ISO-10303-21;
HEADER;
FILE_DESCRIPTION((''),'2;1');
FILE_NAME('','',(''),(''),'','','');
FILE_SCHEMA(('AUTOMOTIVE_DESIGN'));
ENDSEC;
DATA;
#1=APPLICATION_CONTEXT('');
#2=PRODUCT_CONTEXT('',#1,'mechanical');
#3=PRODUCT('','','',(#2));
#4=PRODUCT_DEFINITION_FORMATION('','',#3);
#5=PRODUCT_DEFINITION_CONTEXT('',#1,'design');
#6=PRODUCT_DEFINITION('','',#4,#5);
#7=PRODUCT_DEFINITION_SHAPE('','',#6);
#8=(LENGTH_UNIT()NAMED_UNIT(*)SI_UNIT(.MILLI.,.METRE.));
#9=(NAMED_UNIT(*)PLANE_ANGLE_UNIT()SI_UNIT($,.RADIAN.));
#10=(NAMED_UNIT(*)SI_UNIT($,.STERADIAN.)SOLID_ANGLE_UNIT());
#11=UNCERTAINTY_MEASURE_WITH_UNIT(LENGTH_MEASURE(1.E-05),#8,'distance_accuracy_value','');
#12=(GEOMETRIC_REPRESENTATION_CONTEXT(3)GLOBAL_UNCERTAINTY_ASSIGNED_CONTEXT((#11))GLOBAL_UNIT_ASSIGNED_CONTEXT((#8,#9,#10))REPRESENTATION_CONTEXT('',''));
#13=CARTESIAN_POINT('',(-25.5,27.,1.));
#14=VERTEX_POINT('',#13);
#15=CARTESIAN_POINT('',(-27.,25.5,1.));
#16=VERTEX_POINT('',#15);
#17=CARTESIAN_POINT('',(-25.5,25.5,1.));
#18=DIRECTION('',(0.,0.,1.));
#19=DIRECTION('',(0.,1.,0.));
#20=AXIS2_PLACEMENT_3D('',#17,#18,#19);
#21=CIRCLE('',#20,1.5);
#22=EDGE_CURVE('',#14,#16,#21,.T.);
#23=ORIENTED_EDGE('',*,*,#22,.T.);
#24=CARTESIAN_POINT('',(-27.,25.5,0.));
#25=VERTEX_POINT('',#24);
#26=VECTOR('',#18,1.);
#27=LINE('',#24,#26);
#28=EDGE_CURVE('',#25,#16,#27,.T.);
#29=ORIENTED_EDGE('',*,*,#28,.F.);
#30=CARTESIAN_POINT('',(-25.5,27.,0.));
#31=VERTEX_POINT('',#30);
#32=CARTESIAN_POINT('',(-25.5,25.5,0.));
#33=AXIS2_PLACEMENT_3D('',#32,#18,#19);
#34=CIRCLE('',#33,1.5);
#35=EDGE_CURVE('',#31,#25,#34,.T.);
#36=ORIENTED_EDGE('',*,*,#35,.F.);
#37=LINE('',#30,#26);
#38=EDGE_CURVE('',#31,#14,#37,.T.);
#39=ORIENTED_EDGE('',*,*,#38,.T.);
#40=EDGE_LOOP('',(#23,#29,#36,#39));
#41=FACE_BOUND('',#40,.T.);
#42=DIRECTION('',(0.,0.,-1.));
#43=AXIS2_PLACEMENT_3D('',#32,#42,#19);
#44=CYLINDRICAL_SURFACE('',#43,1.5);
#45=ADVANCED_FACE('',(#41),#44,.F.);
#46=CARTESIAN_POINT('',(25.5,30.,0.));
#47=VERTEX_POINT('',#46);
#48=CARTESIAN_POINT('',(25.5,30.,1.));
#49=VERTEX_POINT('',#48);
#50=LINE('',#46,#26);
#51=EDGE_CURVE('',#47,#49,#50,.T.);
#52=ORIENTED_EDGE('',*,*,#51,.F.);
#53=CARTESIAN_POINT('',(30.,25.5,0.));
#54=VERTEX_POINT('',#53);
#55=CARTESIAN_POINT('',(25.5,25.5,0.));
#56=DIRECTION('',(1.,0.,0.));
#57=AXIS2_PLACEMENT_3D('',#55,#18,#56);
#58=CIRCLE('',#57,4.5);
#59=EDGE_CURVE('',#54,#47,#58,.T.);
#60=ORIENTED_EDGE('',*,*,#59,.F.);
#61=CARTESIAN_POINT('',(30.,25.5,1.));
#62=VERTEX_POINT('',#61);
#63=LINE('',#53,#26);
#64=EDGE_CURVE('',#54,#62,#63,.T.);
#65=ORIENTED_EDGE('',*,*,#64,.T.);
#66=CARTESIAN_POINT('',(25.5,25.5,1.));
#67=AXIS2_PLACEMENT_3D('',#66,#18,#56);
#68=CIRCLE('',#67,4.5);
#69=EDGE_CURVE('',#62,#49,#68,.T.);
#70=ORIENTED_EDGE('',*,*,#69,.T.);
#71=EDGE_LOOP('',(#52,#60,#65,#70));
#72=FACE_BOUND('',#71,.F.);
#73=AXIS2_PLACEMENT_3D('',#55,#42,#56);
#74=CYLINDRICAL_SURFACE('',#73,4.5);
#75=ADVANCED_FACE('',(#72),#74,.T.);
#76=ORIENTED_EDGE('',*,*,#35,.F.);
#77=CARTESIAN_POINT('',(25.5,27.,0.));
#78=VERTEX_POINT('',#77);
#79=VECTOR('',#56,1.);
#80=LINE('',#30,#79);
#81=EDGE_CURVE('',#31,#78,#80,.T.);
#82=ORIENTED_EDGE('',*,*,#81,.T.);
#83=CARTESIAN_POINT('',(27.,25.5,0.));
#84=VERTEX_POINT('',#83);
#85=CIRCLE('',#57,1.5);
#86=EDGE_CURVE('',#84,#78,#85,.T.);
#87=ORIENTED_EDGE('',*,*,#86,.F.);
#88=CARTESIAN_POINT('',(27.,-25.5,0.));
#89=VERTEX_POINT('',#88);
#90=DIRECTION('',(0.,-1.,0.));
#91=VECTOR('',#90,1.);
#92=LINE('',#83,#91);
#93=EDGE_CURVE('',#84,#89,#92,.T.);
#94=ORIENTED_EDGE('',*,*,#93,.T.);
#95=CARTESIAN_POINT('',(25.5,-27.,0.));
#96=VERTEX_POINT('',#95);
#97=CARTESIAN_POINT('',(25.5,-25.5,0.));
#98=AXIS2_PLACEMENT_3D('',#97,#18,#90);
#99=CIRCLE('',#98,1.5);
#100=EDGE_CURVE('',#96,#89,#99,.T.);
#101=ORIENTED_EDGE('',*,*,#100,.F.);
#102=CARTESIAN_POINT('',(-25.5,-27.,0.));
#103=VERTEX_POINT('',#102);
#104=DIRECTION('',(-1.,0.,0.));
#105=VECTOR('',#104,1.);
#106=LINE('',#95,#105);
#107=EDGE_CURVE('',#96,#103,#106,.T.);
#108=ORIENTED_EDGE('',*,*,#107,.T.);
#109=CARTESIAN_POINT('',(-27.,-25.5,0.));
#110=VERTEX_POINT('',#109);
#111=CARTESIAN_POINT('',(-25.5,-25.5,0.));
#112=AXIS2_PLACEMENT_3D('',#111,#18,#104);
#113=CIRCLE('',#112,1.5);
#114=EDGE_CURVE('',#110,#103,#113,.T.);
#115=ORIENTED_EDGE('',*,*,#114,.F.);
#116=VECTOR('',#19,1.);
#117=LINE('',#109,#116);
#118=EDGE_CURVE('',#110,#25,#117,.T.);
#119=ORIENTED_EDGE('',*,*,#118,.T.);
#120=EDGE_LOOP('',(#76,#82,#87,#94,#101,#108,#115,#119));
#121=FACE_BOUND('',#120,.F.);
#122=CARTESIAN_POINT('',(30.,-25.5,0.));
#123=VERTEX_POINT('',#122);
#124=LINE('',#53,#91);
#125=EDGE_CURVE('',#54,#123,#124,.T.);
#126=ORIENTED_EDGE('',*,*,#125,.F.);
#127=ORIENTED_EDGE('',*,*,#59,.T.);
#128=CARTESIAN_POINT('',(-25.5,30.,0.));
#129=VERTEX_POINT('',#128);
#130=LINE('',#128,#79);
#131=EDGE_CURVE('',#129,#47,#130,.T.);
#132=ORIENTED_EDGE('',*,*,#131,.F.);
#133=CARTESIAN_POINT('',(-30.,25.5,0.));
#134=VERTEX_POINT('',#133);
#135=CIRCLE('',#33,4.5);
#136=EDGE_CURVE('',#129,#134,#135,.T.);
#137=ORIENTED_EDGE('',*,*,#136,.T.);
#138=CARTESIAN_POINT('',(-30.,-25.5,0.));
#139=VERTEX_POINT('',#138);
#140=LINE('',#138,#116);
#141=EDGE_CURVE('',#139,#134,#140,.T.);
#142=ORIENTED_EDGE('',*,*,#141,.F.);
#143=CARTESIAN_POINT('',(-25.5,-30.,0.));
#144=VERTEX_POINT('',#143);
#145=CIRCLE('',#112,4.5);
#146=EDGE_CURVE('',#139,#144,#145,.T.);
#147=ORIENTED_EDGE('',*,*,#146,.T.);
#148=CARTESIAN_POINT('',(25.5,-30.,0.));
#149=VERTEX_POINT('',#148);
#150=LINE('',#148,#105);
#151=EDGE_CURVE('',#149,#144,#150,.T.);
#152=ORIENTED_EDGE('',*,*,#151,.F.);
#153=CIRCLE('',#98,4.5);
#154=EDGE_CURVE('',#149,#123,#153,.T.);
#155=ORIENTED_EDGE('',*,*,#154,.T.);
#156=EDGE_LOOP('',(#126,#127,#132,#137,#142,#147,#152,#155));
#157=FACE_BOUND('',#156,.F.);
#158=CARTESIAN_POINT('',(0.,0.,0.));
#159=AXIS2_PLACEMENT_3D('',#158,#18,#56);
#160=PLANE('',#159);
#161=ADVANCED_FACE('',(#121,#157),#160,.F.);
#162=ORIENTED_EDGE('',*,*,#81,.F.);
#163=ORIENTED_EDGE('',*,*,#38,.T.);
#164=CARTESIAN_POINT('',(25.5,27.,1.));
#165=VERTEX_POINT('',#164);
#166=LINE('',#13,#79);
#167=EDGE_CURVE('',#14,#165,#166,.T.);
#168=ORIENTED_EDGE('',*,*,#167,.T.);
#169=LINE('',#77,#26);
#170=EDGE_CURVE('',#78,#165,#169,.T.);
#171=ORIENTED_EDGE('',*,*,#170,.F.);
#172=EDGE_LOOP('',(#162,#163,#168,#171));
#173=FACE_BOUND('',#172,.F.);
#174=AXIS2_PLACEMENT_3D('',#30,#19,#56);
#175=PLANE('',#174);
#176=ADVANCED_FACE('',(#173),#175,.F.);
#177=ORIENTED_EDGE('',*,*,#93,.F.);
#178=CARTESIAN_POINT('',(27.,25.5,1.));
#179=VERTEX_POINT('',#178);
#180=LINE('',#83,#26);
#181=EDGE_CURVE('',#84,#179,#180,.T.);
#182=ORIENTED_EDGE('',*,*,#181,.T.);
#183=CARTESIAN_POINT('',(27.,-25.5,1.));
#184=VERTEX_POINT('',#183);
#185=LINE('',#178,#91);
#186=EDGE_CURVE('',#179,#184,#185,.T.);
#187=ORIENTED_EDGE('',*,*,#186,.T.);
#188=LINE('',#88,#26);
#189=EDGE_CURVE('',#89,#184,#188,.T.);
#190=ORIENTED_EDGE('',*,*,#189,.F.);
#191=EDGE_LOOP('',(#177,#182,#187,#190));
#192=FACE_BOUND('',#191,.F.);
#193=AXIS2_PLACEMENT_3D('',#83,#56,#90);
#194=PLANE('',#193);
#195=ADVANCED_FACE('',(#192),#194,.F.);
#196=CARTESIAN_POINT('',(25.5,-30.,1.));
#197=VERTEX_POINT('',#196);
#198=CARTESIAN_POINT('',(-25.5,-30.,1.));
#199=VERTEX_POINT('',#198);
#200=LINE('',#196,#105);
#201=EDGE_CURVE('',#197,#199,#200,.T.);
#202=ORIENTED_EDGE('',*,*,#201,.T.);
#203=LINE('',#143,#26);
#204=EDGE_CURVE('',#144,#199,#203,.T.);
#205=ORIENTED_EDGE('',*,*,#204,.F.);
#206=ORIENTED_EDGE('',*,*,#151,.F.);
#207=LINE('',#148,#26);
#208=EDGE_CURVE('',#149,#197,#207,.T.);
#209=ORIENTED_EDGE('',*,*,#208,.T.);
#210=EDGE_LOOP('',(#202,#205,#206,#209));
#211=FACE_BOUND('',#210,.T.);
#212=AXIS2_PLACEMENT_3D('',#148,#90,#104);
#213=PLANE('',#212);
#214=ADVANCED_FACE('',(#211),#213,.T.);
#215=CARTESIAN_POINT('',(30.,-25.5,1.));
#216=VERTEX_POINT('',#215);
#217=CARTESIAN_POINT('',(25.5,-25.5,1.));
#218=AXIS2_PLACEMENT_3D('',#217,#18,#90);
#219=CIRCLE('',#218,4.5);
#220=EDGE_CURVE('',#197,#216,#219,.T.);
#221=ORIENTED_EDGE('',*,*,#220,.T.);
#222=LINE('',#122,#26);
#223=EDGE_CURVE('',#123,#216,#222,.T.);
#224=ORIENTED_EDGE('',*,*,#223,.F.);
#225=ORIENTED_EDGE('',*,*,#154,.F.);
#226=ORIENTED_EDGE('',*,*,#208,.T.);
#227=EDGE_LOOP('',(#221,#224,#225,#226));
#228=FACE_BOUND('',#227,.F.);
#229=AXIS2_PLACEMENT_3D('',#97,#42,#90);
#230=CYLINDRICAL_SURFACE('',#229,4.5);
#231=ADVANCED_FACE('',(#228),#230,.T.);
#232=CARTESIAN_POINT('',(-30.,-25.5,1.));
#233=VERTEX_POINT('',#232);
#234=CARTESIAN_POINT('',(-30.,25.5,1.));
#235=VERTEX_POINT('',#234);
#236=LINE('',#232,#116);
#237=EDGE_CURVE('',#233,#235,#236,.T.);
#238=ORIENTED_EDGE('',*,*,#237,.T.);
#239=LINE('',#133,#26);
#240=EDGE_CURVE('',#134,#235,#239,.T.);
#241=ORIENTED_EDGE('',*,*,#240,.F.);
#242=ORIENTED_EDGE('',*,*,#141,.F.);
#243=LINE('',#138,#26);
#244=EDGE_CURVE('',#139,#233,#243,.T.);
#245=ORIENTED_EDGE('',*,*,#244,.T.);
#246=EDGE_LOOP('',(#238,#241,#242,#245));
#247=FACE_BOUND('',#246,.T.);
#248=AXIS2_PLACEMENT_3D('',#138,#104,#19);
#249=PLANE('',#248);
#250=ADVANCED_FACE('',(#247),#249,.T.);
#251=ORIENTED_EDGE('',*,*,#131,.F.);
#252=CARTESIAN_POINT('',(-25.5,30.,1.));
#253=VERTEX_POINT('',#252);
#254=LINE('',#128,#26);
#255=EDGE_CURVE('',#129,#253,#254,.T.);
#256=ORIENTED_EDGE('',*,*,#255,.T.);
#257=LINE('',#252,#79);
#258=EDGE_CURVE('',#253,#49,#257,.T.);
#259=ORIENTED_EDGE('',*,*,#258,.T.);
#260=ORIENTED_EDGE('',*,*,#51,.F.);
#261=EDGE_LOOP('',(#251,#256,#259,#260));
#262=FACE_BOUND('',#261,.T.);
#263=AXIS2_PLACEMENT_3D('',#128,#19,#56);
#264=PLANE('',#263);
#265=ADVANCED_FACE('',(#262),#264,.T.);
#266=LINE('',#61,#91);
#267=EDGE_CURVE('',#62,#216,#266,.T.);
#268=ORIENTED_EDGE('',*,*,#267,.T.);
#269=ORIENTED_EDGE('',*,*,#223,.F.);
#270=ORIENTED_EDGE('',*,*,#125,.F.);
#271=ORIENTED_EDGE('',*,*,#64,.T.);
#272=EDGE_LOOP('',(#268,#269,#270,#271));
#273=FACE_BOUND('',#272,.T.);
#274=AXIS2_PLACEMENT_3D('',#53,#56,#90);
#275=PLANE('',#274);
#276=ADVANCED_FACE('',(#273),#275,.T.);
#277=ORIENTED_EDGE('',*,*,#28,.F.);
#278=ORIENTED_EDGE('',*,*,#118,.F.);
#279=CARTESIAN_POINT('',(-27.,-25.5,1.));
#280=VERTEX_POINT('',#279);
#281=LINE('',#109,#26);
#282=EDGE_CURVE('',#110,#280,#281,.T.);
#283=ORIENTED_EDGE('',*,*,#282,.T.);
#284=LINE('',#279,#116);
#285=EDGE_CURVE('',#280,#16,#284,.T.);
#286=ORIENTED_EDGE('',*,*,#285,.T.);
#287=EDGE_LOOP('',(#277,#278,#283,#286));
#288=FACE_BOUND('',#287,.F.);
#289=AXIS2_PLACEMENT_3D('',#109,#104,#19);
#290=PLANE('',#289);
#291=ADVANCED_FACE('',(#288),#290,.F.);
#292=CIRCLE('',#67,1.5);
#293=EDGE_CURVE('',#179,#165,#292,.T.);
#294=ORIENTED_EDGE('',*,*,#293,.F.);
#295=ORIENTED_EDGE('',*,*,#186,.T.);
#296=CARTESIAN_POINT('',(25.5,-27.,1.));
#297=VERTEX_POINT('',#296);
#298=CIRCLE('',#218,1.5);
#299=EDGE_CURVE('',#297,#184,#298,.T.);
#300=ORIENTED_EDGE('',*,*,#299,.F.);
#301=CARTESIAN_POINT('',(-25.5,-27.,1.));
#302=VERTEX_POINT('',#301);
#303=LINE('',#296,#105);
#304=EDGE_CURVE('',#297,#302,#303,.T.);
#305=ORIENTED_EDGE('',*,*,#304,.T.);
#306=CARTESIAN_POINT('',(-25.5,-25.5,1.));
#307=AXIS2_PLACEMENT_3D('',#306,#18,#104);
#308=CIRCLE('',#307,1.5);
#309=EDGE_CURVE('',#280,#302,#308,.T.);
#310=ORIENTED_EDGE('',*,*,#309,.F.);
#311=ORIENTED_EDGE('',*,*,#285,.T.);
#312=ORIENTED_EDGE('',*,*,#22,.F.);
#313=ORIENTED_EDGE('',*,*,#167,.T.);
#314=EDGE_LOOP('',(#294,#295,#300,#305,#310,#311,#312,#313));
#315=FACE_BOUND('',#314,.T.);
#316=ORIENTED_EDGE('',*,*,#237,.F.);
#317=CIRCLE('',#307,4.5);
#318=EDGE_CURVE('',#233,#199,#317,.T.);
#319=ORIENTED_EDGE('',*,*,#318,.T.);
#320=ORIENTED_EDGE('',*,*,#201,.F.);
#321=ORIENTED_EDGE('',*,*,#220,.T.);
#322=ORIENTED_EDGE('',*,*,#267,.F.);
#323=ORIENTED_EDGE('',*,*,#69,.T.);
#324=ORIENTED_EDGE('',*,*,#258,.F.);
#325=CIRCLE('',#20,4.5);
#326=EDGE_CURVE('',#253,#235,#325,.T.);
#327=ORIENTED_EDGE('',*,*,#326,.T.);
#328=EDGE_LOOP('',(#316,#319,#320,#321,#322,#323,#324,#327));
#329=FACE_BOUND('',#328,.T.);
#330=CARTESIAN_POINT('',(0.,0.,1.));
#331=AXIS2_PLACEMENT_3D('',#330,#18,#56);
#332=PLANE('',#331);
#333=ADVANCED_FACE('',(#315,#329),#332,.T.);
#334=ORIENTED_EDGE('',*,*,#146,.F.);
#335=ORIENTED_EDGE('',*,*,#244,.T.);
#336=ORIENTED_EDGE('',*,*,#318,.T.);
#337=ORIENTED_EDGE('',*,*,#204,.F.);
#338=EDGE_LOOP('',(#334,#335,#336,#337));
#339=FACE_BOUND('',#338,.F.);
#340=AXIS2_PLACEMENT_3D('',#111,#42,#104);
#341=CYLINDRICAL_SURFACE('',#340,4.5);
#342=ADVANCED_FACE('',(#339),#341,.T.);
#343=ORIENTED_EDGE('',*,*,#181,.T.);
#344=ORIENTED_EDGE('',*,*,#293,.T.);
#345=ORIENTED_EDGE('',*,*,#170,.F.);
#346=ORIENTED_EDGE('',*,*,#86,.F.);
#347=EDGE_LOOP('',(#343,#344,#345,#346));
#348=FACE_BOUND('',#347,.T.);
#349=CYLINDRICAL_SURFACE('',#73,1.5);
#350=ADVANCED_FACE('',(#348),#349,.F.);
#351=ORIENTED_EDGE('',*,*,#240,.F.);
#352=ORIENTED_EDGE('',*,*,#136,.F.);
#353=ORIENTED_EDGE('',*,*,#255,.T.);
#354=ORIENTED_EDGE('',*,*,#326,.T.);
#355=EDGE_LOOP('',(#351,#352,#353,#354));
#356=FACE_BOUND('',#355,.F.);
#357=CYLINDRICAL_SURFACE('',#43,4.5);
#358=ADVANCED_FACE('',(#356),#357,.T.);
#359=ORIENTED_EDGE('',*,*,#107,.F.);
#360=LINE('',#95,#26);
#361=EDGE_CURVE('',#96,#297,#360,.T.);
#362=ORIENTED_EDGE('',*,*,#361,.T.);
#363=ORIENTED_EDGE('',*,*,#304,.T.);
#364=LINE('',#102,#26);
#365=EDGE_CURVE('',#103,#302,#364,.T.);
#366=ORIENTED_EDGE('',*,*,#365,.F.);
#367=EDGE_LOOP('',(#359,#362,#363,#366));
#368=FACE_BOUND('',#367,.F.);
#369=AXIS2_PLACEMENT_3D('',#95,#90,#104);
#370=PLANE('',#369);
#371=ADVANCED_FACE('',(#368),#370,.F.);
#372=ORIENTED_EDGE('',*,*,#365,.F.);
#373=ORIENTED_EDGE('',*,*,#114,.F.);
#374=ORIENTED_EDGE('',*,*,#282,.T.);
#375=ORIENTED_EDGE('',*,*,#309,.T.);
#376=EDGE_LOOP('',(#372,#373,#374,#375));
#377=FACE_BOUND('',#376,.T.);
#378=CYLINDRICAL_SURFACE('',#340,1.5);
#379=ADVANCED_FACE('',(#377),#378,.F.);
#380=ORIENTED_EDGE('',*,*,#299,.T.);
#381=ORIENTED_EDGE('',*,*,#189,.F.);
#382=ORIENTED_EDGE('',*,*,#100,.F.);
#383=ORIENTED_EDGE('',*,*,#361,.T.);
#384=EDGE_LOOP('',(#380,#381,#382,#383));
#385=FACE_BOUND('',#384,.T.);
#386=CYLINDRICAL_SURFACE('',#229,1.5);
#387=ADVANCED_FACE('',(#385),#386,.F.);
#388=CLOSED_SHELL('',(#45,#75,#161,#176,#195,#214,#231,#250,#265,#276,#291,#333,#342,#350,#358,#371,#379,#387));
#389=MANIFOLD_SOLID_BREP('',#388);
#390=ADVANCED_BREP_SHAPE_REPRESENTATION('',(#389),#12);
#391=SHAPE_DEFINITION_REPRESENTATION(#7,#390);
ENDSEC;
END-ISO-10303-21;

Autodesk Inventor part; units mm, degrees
ref_plane "YZ Plane" through (0, 0, 0) normal (1, 0, 0) x (0, 1, 0)
ref_plane "Начальная плоскость" through (0, 0, 0) normal (0, 0, 1) x (1, 0, 0)
ref_plane "Конечная плоскость" through (0, 0, 1) normal (0, 0, 1) x (1, 0, 0)
sketch "Эскиз" plane through (0, 0, 0) normal (0, 0, 1) x (1, 0, 0)
  line L0 (-30, -25.5) -> (-30, 25.5)
  line L1 (-25.5, 30) -> (25.5, 30)
  line L2 (30, 25.5) -> (30, -25.5)
  line L3 (25.5, -30) -> (-25.5, -30)
  arc A0 (-30, -25.5) -> (-25.5, -30) centre (-25.5, -25.5) ccw
  arc A1 (-25.5, 30) -> (-30, 25.5) centre (-25.5, 25.5) ccw
  arc A2 (30, 25.5) -> (25.5, 30) centre (25.5, 25.5) ccw
  arc A3 (25.5, -30) -> (30, -25.5) centre (25.5, -25.5) ccw
  arc A4 (-25.5, 27) -> (-27, 25.5) centre (-25.5, 25.5) ccw
  line L4 (-25.5, 27) -> (25.5, 27)
  arc A5 (27, 25.5) -> (25.5, 27) centre (25.5, 25.5) ccw
  line L5 (27, 25.5) -> (27, -25.5)
  arc A6 (25.5, -27) -> (27, -25.5) centre (25.5, -25.5) ccw
  line L6 (25.5, -27) -> (-25.5, -27)
  arc A7 (-27, -25.5) -> (-25.5, -27) centre (-25.5, -25.5) ccw
  line L7 (-27, -25.5) -> (-27, 25.5)
  line L8 (-27, 0) -> (27, 0) construction
  line L9 (0, 0) -> (0, 10) construction
  dimension "d7" = 4.5
  dimension "d10" = 60
  dimension "d11" = 60
  dimension "d12" = 3
  dimension "d19" = 10
  dimension "d20" = 90
extrude "Базовый элемент" add sketch "Эскиз" along normal up to surface (1 mm away) from surface at 0
sketch "Sketch3" plane through (0, 0, 0) normal (0, 0, 1) x (1, 0, 0)
  line L0 (0, 0) -> (10, 0)
ref_plane "Work Plane3" through (0, 0, 0) normal (0, -1, 0) x (1, 0, 0)
sketch "Sketch4" plane through (0, 0, 0) normal (0, -1, 0) x (1, 0, 0)
  line L0 (-2, 0) -> (12, 0)
  line L1 (-2, 1) -> (12, 1)
  dimension "d18" = 1
equation "\"d7\" = G_IR"
equation "\"d10\" = G_H"
equation "\"d11\" = G_W"
equation "\"d12\" = G_T"
equation "\"d3\" = G_L"
equation "\"G_W\" = 60"
equation "\"G_H\" = 60"
equation "\"G_T\" = 3"
equation "\"G_IR\" = 4.5"
equation "\"G_L\" = d18"
equation "\"G_OFFSET_START\" = 0"
equation "\"G_OFFSET_END\" = 0"
equation "\"d14\" = G_OFFSET_END + B_L"
equation "\"B_L\" = 1"
properties part number "ДСТУ 8940 (Квадратна)" material "С245 ДСТУ 8539"
